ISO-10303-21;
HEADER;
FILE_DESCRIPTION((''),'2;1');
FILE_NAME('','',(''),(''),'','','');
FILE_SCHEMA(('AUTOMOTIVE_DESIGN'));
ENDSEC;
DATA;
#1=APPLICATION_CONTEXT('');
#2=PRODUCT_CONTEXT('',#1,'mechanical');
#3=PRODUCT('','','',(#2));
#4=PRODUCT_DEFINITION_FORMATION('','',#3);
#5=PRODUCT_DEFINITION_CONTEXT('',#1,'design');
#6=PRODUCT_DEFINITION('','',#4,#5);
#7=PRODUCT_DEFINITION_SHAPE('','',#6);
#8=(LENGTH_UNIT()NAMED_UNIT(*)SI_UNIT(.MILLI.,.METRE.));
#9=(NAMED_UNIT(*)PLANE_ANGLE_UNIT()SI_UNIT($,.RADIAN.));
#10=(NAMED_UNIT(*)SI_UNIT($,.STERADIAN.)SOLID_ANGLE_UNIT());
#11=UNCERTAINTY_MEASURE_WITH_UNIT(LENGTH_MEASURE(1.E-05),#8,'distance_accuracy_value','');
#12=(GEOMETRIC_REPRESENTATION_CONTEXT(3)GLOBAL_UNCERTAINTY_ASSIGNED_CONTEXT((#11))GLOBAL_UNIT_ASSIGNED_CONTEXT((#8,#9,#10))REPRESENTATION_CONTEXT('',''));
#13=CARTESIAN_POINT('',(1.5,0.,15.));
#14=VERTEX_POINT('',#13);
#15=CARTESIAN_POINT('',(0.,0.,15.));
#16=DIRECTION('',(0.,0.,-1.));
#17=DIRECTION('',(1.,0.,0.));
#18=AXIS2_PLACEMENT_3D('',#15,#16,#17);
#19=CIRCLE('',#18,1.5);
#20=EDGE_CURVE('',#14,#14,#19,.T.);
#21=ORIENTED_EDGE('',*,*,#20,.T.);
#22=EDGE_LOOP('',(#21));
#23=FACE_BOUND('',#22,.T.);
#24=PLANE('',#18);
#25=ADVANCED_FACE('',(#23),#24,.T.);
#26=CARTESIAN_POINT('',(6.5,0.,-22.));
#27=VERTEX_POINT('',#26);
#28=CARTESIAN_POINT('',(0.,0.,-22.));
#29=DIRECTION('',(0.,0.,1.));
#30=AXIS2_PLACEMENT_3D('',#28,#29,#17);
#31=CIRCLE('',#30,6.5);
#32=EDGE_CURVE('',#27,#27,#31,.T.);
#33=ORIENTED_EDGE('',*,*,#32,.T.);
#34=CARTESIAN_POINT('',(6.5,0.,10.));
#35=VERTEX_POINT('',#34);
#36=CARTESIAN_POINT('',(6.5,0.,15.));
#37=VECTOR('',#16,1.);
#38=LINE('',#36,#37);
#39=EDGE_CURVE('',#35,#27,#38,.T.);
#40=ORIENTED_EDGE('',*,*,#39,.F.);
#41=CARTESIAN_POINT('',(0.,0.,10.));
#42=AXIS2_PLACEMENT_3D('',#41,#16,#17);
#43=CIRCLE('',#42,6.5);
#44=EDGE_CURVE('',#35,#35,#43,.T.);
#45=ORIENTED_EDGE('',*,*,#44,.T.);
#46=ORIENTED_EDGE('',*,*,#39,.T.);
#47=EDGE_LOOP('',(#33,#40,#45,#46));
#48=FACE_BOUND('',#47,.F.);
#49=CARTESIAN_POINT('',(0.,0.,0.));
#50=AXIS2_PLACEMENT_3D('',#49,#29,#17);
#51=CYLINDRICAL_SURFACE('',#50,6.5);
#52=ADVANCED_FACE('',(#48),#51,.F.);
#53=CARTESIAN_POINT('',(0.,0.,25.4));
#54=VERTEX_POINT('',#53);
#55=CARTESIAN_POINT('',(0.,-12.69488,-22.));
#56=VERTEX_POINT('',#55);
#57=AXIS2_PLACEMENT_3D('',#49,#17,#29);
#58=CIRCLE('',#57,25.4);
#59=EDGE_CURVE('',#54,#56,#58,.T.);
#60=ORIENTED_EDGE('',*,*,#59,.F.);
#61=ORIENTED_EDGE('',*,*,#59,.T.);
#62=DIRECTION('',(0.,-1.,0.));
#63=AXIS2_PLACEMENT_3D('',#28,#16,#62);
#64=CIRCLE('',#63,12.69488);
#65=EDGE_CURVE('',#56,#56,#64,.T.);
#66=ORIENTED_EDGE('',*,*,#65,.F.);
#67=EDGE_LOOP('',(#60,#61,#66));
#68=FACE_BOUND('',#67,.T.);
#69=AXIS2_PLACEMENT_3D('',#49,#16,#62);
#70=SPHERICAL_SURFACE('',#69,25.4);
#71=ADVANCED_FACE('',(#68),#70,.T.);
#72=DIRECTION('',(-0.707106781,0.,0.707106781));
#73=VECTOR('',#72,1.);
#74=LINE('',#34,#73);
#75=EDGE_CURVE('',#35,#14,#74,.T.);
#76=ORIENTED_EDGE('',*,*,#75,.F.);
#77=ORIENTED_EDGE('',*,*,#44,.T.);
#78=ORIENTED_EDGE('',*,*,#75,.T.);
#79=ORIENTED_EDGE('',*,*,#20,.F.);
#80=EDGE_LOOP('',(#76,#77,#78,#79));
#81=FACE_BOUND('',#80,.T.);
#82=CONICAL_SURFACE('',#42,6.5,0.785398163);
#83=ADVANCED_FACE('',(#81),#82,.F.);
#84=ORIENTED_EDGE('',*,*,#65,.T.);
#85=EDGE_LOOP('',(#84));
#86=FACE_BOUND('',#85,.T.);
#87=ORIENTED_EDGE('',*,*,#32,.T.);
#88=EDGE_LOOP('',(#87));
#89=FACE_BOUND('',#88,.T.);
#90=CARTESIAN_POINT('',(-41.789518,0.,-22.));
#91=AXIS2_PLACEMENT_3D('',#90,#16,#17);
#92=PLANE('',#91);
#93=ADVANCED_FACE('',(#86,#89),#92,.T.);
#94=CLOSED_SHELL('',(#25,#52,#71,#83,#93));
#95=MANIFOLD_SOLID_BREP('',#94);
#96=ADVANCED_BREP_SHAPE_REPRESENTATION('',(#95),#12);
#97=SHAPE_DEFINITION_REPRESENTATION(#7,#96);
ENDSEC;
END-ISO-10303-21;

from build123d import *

# Parameters (mm, degrees)
F2_R      = 6.5
F3_DEPTH  = 30
F4_W      = 107.489927
F4_H      = 49.906041
F5_DEPTH  = 15
F3_FACE_R = 6.5
F6_DEPTH  = 15
F7_SIZE   = 5


with BuildPart() as f1:
    # F0 (on Right) → F1 (revolve)
    with BuildSketch(Plane.YZ):
        with BuildLine():
            Line((0, -25.4), (0, 25.4))
            ThreePointArc((0, 25.4), (-25.4, 0), (0, -25.4))
        make_face()
    revolve(axis=Axis((0, 0, 0), (0, 0, -1)))

    # F2 (on Top) → F3 (cut)
    with BuildSketch(Plane.XY):
        Circle(F2_R)
    extrude(amount=-F3_DEPTH, mode=Mode.SUBTRACT)

    # F4 (on Front) → F5 (cut, symmetric)
    with BuildSketch(Plane.XZ):
        with Locations((11.955445, -46.953021)):
            Rectangle(F4_W, F4_H)
    extrude(amount=F5_DEPTH, both=True, mode=Mode.SUBTRACT)

    # F3_face (on face) → F6 (cut)
    with BuildSketch(Plane(origin=(0, 0, 0), x_dir=(1, 0, 0), z_dir=(0, 0, -1))):
        Circle(F3_FACE_R)
    extrude(amount=-F6_DEPTH, mode=Mode.SUBTRACT)

    # F7
    f7_edges = [f1.edges().sort_by_distance(p)[0] for p in [
        (-6.5, 0, 15),
    ]]
    chamfer(f7_edges, length=F7_SIZE)


solid = f1.part
